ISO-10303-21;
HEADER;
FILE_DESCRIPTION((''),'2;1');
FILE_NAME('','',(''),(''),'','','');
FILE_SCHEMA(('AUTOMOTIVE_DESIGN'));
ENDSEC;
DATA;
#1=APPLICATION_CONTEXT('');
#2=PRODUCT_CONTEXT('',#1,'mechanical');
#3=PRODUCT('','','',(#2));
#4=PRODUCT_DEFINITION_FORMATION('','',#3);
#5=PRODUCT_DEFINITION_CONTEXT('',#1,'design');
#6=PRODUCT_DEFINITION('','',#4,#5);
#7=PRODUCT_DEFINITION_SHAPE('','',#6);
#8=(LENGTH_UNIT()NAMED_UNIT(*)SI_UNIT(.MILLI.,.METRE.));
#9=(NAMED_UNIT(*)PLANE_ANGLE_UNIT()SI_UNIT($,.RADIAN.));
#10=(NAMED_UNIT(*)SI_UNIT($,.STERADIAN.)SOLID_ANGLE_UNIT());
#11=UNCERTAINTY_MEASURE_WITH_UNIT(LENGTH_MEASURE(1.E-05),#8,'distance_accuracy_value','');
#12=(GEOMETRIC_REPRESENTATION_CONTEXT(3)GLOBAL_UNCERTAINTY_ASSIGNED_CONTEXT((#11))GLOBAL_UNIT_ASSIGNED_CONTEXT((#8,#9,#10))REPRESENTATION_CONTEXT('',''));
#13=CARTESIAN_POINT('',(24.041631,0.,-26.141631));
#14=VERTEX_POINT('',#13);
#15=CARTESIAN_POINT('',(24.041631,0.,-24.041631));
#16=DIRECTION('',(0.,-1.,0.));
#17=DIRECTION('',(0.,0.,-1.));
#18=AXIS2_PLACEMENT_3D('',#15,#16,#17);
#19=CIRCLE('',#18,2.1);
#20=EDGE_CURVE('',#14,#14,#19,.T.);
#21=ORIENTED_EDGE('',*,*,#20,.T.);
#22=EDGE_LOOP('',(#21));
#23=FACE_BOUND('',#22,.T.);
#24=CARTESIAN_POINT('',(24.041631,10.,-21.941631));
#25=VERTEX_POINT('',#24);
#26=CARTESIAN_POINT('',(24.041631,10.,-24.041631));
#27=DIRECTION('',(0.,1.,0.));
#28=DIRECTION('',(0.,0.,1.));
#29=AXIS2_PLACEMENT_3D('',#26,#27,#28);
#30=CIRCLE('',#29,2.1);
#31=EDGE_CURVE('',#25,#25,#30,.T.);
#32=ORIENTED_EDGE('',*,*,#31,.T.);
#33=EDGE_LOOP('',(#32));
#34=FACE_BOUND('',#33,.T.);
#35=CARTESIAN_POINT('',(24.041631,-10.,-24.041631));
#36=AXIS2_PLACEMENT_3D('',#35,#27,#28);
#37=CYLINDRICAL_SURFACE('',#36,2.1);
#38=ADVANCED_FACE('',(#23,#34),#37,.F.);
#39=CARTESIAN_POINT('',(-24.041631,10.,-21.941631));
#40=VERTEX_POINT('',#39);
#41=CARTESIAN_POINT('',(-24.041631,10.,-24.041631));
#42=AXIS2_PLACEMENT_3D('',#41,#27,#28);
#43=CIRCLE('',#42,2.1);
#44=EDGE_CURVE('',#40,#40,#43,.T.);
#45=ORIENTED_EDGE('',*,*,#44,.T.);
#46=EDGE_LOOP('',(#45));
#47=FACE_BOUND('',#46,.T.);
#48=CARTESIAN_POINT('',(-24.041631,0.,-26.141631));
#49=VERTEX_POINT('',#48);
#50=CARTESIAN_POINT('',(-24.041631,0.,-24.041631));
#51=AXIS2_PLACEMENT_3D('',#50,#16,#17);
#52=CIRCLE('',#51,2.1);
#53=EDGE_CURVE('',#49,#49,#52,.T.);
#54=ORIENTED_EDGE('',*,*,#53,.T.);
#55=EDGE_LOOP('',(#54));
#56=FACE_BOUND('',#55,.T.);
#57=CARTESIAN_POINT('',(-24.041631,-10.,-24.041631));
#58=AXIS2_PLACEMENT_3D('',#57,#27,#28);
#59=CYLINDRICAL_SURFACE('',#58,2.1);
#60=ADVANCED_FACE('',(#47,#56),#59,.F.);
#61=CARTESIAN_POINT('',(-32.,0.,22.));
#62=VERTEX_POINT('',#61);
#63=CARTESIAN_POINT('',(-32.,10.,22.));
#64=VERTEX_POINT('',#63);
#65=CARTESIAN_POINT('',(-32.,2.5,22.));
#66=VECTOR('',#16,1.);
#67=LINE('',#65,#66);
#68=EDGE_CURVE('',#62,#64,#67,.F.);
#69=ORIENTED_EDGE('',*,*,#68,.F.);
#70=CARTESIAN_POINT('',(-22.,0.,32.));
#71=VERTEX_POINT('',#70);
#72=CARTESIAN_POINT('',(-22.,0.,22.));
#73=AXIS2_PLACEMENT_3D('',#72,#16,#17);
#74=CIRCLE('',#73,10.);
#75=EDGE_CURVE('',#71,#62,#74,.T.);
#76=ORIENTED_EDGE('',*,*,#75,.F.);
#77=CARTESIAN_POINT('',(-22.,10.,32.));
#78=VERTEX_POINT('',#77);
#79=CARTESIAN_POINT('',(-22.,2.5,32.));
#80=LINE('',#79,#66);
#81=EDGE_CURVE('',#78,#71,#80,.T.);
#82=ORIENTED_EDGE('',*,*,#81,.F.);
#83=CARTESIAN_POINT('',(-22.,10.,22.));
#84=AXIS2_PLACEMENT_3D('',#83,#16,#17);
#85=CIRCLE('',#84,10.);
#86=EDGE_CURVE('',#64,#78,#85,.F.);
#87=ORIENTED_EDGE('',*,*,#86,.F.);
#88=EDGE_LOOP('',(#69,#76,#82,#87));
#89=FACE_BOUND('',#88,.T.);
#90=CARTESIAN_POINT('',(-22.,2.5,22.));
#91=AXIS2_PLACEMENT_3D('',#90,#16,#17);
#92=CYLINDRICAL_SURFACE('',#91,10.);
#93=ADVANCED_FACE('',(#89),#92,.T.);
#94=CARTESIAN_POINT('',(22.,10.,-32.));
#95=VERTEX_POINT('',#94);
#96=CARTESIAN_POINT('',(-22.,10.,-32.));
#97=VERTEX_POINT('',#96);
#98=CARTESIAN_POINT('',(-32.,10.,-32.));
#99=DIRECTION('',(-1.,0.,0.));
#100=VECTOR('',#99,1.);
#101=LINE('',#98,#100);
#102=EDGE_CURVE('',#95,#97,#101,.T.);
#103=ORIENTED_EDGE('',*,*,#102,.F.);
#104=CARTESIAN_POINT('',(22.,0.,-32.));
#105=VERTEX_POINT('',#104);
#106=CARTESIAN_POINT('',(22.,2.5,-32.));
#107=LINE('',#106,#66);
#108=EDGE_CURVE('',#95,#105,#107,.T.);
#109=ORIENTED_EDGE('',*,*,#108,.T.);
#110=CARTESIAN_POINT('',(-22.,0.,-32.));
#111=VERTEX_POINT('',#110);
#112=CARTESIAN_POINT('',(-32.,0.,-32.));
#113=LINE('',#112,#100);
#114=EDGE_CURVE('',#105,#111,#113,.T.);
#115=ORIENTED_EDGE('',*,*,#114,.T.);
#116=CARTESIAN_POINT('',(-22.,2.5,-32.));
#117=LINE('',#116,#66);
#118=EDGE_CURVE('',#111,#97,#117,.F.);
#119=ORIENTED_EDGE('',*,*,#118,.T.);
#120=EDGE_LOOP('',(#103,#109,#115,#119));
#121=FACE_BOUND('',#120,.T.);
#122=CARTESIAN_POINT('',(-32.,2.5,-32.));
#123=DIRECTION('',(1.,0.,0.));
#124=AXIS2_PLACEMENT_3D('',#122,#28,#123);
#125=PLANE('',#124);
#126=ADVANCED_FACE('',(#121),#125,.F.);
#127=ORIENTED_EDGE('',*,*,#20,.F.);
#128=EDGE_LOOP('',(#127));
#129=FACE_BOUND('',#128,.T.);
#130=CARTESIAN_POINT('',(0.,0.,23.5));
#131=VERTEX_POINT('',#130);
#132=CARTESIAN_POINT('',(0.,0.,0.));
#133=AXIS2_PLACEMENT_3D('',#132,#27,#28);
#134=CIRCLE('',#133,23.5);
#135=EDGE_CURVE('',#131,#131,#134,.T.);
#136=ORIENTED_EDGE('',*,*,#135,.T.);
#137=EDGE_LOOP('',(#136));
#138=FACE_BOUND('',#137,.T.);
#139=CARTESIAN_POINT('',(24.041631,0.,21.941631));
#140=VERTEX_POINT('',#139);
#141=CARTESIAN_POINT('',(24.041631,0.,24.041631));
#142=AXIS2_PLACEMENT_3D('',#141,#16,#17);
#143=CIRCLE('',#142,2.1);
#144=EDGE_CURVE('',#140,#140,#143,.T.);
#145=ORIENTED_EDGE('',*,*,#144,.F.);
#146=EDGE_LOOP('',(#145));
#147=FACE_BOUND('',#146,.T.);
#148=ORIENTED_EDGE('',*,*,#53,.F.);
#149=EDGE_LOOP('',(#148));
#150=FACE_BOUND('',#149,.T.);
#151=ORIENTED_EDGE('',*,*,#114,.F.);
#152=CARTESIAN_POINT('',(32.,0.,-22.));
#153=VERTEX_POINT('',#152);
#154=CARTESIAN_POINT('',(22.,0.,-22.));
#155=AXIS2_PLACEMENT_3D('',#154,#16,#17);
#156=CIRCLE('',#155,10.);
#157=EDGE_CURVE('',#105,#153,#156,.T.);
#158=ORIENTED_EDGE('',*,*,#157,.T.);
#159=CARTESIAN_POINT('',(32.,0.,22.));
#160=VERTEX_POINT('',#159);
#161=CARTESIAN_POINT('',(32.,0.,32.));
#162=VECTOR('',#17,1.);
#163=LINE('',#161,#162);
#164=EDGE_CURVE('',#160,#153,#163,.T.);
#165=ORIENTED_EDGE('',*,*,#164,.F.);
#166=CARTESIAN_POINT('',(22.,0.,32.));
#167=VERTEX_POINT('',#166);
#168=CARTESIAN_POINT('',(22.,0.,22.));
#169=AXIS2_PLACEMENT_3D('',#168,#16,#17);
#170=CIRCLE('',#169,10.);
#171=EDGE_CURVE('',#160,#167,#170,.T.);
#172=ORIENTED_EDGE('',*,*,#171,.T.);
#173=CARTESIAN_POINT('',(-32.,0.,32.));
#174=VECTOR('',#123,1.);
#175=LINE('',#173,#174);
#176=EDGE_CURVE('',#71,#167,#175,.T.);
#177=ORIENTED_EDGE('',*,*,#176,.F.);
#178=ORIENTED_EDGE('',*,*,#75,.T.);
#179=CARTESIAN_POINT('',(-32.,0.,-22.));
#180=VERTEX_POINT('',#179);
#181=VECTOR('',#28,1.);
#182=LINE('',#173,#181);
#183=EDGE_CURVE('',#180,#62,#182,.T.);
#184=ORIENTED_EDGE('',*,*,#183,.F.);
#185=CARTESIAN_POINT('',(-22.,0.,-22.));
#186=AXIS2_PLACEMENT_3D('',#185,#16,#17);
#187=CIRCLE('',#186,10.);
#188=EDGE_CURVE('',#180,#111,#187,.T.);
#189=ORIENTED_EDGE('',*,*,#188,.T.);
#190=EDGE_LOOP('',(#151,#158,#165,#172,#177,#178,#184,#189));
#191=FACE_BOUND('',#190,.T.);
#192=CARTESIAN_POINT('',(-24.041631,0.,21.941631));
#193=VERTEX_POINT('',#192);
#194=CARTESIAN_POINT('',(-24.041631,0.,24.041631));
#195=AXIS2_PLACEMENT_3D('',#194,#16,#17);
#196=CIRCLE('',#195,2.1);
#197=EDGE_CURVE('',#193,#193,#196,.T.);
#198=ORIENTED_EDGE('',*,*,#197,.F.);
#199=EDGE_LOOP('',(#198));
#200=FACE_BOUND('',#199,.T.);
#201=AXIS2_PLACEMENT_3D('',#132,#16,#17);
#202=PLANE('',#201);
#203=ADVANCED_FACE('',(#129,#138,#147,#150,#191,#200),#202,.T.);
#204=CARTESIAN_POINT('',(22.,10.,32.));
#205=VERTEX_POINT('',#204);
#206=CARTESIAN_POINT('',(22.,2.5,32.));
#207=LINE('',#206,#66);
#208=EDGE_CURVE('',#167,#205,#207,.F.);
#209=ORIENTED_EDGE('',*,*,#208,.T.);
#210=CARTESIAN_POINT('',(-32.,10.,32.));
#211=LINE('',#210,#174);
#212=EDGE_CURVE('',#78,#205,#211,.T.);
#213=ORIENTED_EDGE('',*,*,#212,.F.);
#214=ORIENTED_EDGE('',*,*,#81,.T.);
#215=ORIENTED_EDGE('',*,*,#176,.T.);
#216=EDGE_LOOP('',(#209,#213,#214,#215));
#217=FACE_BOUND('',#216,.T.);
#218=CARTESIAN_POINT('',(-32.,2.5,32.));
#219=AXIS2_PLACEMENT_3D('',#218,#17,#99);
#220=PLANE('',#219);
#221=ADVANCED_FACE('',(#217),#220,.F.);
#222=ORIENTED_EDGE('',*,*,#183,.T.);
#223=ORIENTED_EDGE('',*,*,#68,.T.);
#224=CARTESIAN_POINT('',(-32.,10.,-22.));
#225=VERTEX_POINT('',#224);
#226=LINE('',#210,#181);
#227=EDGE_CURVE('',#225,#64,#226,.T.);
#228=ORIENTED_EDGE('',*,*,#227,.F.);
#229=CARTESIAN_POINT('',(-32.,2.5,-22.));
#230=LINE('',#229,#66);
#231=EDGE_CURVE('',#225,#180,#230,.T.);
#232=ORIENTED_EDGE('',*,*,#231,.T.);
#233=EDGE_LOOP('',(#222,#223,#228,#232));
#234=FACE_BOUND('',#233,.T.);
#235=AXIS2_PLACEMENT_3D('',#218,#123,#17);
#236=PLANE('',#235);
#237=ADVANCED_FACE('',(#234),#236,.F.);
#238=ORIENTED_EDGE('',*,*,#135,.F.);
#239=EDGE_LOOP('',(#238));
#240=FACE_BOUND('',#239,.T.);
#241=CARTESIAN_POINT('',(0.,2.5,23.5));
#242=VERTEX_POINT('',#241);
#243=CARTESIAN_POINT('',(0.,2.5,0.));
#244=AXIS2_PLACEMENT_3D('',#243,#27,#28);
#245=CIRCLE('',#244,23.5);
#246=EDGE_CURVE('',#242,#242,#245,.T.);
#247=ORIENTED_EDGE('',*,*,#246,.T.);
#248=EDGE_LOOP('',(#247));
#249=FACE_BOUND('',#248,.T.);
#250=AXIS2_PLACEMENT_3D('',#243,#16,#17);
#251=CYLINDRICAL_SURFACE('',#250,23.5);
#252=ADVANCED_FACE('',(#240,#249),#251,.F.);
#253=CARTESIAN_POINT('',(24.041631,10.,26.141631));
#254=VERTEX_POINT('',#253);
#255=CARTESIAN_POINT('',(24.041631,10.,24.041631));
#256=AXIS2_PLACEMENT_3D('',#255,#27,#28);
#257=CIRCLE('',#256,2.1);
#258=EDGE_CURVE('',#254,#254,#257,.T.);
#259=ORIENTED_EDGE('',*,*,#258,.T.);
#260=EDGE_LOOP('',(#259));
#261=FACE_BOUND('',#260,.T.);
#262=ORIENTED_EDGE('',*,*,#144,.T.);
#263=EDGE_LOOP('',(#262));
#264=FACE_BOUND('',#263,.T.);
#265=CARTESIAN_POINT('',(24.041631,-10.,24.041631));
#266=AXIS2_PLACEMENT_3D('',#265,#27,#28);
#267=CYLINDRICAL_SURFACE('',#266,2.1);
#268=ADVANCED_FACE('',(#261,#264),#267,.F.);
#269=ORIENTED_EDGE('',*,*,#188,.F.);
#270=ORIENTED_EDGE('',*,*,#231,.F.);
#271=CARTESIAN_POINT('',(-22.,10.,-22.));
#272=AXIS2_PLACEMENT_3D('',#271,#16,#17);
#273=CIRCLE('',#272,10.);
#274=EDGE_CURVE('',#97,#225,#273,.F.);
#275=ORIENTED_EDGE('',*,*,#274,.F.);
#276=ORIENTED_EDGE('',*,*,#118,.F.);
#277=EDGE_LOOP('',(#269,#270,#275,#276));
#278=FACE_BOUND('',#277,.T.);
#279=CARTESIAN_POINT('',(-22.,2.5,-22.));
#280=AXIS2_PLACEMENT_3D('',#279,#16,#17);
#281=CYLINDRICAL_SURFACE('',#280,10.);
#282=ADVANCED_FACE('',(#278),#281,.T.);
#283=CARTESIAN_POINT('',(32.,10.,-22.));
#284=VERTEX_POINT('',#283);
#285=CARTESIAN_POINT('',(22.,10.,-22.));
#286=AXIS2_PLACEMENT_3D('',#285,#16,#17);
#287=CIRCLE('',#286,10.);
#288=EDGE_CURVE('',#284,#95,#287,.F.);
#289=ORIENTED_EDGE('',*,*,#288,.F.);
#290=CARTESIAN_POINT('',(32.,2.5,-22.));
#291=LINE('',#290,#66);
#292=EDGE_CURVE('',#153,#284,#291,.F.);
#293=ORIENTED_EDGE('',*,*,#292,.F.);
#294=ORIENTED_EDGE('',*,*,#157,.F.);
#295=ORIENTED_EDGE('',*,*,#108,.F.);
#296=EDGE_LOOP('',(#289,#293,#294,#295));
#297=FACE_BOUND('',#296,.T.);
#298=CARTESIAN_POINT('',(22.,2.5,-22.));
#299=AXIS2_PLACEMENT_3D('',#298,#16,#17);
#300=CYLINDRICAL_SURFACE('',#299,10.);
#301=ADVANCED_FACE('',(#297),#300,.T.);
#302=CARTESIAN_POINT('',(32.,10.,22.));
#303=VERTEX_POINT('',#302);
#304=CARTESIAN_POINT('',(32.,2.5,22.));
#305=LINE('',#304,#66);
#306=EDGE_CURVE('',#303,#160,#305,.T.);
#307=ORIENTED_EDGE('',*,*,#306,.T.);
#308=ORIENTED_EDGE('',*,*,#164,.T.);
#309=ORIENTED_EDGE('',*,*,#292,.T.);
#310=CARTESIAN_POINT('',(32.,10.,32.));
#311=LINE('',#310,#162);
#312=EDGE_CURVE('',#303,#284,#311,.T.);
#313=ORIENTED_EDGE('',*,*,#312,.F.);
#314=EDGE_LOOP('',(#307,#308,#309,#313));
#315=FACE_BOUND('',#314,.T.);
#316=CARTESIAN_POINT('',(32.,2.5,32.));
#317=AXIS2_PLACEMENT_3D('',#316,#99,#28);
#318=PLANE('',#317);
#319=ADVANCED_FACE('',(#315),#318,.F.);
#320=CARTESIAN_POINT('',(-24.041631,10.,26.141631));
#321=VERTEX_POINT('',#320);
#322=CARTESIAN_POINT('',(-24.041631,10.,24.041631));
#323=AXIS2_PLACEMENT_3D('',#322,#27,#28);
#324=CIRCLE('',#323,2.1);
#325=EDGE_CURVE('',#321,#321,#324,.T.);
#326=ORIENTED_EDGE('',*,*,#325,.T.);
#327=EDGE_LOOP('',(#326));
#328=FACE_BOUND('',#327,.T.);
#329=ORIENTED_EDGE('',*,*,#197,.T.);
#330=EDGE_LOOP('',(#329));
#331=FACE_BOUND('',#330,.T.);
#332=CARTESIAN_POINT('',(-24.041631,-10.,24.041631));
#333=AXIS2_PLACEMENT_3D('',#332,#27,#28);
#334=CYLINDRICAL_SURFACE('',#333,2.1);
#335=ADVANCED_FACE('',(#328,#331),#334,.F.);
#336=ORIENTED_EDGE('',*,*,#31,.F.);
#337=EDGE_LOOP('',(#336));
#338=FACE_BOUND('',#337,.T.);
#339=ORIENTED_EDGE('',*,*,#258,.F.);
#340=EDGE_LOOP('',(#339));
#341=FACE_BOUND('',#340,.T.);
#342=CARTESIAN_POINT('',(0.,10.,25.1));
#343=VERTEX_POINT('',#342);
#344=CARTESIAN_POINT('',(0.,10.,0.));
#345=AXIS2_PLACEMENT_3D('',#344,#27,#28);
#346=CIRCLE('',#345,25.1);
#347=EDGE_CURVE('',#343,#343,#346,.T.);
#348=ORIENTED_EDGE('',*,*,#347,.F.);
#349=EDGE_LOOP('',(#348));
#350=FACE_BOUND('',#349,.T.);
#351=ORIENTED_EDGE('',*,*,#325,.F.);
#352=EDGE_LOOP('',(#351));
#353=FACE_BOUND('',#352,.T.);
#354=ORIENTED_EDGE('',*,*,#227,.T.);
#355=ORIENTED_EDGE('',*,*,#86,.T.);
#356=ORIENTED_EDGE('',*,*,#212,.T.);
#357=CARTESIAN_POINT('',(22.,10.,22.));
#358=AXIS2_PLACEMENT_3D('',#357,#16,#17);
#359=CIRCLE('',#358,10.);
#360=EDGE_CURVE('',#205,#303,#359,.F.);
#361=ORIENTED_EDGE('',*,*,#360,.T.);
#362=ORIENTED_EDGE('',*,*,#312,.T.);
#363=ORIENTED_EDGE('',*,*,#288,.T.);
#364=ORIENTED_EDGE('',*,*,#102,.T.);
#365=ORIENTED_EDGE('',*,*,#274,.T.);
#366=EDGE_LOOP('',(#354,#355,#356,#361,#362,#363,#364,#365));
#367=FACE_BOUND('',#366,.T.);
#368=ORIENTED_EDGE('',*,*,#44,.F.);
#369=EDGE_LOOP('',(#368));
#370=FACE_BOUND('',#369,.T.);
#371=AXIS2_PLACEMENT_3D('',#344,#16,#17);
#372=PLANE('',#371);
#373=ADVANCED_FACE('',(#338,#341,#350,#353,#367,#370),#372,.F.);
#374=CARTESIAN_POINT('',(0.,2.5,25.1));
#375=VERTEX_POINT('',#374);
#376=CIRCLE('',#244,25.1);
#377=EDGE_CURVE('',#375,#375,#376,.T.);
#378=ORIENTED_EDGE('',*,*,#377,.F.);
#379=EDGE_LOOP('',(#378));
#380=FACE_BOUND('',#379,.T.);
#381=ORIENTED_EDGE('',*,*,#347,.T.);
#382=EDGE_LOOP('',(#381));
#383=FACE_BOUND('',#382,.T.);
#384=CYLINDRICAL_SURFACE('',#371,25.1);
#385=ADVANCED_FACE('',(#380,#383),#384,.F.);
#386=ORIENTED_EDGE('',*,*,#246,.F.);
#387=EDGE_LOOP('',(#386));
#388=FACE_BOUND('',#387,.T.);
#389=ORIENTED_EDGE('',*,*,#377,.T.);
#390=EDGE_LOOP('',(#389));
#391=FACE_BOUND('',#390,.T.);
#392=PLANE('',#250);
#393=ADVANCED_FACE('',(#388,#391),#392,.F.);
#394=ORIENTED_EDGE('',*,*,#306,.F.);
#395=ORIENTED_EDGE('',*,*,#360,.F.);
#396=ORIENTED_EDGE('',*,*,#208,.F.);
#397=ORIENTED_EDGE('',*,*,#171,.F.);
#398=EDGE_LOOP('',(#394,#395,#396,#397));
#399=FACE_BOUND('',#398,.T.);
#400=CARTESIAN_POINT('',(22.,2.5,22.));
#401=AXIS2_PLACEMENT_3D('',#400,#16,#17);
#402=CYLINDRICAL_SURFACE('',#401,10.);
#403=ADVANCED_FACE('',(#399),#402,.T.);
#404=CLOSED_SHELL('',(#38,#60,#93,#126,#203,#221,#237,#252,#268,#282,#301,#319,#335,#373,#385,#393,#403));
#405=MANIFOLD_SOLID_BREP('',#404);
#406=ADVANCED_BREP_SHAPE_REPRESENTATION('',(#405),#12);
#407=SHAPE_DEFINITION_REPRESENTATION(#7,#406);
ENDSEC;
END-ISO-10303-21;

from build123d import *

# Parameters (mm, degrees)
SKETCH_1_W          = 64
SKETCH_1_H          = 64
SKETCH_1_R          = 23.5
EXTRUDE_1_DEPTH     = 2.5
SKETCH_2_W          = 64
SKETCH_2_H          = 64
SKETCH_2_R          = 25.1
EXTRUDE_2_DEPTH     = 7.5
SKETCH_3_R          = 2.1
CUT_EXTRUDE_1_DEPTH = 20
FILLET_1_R          = 10


with BuildPart() as part:
    # 草图1 → 凸台-拉伸1 (new body)
    with BuildSketch(Plane(origin=(0, 0, 0), x_dir=(1, 0, 0), z_dir=(0, 1, 0))):
        Rectangle(SKETCH_1_W, SKETCH_1_H)
        with Locations(Location((0, 0, 0), (0, 0, 270))):
            Circle(SKETCH_1_R, mode=Mode.SUBTRACT)
    extrude(amount=EXTRUDE_1_DEPTH)

    # 草图2 → 凸台-拉伸2 (add)
    with BuildSketch(Plane(origin=(0, 2.5, 0), x_dir=(1, 0, 0), z_dir=(0, 1, 0))):
        Rectangle(SKETCH_2_W, SKETCH_2_H)
        with Locations(Location((0, 0, 0), (0, 0, 270))):
            Circle(SKETCH_2_R, mode=Mode.SUBTRACT)
    extrude(amount=EXTRUDE_2_DEPTH)

    # 草图3 → 切除-拉伸1 (cut)
    with BuildSketch(Plane(origin=(0, 10, 0), x_dir=(1, 0, 0), z_dir=(0, 1, 0))):
        with Locations(Location((24.04163056, 24.04163056, 0), (0, 0, 270))):
            Circle(SKETCH_3_R)
        with Locations(Location((24.04163056, -24.04163056, 0), (0, 0, 270))):
            Circle(SKETCH_3_R)
        with Locations(Location((-24.04163056, -24.04163056, 0), (0, 0, 270))):
            Circle(SKETCH_3_R)
        with Locations(Location((-24.04163056, 24.04163056, 0), (0, 0, 270))):
            Circle(SKETCH_3_R)
    extrude(amount=-CUT_EXTRUDE_1_DEPTH, mode=Mode.SUBTRACT)

    # 圆角1
    fillet_1_edges = [part.edges().sort_by_distance(p)[0] for p in [
        (32, 5, 32),
        (-32, 5, 32),
        (-32, 5, -32),
        (32, 5, -32),
    ]]
    fillet(fillet_1_edges, radius=FILLET_1_R)


solid = part.part
